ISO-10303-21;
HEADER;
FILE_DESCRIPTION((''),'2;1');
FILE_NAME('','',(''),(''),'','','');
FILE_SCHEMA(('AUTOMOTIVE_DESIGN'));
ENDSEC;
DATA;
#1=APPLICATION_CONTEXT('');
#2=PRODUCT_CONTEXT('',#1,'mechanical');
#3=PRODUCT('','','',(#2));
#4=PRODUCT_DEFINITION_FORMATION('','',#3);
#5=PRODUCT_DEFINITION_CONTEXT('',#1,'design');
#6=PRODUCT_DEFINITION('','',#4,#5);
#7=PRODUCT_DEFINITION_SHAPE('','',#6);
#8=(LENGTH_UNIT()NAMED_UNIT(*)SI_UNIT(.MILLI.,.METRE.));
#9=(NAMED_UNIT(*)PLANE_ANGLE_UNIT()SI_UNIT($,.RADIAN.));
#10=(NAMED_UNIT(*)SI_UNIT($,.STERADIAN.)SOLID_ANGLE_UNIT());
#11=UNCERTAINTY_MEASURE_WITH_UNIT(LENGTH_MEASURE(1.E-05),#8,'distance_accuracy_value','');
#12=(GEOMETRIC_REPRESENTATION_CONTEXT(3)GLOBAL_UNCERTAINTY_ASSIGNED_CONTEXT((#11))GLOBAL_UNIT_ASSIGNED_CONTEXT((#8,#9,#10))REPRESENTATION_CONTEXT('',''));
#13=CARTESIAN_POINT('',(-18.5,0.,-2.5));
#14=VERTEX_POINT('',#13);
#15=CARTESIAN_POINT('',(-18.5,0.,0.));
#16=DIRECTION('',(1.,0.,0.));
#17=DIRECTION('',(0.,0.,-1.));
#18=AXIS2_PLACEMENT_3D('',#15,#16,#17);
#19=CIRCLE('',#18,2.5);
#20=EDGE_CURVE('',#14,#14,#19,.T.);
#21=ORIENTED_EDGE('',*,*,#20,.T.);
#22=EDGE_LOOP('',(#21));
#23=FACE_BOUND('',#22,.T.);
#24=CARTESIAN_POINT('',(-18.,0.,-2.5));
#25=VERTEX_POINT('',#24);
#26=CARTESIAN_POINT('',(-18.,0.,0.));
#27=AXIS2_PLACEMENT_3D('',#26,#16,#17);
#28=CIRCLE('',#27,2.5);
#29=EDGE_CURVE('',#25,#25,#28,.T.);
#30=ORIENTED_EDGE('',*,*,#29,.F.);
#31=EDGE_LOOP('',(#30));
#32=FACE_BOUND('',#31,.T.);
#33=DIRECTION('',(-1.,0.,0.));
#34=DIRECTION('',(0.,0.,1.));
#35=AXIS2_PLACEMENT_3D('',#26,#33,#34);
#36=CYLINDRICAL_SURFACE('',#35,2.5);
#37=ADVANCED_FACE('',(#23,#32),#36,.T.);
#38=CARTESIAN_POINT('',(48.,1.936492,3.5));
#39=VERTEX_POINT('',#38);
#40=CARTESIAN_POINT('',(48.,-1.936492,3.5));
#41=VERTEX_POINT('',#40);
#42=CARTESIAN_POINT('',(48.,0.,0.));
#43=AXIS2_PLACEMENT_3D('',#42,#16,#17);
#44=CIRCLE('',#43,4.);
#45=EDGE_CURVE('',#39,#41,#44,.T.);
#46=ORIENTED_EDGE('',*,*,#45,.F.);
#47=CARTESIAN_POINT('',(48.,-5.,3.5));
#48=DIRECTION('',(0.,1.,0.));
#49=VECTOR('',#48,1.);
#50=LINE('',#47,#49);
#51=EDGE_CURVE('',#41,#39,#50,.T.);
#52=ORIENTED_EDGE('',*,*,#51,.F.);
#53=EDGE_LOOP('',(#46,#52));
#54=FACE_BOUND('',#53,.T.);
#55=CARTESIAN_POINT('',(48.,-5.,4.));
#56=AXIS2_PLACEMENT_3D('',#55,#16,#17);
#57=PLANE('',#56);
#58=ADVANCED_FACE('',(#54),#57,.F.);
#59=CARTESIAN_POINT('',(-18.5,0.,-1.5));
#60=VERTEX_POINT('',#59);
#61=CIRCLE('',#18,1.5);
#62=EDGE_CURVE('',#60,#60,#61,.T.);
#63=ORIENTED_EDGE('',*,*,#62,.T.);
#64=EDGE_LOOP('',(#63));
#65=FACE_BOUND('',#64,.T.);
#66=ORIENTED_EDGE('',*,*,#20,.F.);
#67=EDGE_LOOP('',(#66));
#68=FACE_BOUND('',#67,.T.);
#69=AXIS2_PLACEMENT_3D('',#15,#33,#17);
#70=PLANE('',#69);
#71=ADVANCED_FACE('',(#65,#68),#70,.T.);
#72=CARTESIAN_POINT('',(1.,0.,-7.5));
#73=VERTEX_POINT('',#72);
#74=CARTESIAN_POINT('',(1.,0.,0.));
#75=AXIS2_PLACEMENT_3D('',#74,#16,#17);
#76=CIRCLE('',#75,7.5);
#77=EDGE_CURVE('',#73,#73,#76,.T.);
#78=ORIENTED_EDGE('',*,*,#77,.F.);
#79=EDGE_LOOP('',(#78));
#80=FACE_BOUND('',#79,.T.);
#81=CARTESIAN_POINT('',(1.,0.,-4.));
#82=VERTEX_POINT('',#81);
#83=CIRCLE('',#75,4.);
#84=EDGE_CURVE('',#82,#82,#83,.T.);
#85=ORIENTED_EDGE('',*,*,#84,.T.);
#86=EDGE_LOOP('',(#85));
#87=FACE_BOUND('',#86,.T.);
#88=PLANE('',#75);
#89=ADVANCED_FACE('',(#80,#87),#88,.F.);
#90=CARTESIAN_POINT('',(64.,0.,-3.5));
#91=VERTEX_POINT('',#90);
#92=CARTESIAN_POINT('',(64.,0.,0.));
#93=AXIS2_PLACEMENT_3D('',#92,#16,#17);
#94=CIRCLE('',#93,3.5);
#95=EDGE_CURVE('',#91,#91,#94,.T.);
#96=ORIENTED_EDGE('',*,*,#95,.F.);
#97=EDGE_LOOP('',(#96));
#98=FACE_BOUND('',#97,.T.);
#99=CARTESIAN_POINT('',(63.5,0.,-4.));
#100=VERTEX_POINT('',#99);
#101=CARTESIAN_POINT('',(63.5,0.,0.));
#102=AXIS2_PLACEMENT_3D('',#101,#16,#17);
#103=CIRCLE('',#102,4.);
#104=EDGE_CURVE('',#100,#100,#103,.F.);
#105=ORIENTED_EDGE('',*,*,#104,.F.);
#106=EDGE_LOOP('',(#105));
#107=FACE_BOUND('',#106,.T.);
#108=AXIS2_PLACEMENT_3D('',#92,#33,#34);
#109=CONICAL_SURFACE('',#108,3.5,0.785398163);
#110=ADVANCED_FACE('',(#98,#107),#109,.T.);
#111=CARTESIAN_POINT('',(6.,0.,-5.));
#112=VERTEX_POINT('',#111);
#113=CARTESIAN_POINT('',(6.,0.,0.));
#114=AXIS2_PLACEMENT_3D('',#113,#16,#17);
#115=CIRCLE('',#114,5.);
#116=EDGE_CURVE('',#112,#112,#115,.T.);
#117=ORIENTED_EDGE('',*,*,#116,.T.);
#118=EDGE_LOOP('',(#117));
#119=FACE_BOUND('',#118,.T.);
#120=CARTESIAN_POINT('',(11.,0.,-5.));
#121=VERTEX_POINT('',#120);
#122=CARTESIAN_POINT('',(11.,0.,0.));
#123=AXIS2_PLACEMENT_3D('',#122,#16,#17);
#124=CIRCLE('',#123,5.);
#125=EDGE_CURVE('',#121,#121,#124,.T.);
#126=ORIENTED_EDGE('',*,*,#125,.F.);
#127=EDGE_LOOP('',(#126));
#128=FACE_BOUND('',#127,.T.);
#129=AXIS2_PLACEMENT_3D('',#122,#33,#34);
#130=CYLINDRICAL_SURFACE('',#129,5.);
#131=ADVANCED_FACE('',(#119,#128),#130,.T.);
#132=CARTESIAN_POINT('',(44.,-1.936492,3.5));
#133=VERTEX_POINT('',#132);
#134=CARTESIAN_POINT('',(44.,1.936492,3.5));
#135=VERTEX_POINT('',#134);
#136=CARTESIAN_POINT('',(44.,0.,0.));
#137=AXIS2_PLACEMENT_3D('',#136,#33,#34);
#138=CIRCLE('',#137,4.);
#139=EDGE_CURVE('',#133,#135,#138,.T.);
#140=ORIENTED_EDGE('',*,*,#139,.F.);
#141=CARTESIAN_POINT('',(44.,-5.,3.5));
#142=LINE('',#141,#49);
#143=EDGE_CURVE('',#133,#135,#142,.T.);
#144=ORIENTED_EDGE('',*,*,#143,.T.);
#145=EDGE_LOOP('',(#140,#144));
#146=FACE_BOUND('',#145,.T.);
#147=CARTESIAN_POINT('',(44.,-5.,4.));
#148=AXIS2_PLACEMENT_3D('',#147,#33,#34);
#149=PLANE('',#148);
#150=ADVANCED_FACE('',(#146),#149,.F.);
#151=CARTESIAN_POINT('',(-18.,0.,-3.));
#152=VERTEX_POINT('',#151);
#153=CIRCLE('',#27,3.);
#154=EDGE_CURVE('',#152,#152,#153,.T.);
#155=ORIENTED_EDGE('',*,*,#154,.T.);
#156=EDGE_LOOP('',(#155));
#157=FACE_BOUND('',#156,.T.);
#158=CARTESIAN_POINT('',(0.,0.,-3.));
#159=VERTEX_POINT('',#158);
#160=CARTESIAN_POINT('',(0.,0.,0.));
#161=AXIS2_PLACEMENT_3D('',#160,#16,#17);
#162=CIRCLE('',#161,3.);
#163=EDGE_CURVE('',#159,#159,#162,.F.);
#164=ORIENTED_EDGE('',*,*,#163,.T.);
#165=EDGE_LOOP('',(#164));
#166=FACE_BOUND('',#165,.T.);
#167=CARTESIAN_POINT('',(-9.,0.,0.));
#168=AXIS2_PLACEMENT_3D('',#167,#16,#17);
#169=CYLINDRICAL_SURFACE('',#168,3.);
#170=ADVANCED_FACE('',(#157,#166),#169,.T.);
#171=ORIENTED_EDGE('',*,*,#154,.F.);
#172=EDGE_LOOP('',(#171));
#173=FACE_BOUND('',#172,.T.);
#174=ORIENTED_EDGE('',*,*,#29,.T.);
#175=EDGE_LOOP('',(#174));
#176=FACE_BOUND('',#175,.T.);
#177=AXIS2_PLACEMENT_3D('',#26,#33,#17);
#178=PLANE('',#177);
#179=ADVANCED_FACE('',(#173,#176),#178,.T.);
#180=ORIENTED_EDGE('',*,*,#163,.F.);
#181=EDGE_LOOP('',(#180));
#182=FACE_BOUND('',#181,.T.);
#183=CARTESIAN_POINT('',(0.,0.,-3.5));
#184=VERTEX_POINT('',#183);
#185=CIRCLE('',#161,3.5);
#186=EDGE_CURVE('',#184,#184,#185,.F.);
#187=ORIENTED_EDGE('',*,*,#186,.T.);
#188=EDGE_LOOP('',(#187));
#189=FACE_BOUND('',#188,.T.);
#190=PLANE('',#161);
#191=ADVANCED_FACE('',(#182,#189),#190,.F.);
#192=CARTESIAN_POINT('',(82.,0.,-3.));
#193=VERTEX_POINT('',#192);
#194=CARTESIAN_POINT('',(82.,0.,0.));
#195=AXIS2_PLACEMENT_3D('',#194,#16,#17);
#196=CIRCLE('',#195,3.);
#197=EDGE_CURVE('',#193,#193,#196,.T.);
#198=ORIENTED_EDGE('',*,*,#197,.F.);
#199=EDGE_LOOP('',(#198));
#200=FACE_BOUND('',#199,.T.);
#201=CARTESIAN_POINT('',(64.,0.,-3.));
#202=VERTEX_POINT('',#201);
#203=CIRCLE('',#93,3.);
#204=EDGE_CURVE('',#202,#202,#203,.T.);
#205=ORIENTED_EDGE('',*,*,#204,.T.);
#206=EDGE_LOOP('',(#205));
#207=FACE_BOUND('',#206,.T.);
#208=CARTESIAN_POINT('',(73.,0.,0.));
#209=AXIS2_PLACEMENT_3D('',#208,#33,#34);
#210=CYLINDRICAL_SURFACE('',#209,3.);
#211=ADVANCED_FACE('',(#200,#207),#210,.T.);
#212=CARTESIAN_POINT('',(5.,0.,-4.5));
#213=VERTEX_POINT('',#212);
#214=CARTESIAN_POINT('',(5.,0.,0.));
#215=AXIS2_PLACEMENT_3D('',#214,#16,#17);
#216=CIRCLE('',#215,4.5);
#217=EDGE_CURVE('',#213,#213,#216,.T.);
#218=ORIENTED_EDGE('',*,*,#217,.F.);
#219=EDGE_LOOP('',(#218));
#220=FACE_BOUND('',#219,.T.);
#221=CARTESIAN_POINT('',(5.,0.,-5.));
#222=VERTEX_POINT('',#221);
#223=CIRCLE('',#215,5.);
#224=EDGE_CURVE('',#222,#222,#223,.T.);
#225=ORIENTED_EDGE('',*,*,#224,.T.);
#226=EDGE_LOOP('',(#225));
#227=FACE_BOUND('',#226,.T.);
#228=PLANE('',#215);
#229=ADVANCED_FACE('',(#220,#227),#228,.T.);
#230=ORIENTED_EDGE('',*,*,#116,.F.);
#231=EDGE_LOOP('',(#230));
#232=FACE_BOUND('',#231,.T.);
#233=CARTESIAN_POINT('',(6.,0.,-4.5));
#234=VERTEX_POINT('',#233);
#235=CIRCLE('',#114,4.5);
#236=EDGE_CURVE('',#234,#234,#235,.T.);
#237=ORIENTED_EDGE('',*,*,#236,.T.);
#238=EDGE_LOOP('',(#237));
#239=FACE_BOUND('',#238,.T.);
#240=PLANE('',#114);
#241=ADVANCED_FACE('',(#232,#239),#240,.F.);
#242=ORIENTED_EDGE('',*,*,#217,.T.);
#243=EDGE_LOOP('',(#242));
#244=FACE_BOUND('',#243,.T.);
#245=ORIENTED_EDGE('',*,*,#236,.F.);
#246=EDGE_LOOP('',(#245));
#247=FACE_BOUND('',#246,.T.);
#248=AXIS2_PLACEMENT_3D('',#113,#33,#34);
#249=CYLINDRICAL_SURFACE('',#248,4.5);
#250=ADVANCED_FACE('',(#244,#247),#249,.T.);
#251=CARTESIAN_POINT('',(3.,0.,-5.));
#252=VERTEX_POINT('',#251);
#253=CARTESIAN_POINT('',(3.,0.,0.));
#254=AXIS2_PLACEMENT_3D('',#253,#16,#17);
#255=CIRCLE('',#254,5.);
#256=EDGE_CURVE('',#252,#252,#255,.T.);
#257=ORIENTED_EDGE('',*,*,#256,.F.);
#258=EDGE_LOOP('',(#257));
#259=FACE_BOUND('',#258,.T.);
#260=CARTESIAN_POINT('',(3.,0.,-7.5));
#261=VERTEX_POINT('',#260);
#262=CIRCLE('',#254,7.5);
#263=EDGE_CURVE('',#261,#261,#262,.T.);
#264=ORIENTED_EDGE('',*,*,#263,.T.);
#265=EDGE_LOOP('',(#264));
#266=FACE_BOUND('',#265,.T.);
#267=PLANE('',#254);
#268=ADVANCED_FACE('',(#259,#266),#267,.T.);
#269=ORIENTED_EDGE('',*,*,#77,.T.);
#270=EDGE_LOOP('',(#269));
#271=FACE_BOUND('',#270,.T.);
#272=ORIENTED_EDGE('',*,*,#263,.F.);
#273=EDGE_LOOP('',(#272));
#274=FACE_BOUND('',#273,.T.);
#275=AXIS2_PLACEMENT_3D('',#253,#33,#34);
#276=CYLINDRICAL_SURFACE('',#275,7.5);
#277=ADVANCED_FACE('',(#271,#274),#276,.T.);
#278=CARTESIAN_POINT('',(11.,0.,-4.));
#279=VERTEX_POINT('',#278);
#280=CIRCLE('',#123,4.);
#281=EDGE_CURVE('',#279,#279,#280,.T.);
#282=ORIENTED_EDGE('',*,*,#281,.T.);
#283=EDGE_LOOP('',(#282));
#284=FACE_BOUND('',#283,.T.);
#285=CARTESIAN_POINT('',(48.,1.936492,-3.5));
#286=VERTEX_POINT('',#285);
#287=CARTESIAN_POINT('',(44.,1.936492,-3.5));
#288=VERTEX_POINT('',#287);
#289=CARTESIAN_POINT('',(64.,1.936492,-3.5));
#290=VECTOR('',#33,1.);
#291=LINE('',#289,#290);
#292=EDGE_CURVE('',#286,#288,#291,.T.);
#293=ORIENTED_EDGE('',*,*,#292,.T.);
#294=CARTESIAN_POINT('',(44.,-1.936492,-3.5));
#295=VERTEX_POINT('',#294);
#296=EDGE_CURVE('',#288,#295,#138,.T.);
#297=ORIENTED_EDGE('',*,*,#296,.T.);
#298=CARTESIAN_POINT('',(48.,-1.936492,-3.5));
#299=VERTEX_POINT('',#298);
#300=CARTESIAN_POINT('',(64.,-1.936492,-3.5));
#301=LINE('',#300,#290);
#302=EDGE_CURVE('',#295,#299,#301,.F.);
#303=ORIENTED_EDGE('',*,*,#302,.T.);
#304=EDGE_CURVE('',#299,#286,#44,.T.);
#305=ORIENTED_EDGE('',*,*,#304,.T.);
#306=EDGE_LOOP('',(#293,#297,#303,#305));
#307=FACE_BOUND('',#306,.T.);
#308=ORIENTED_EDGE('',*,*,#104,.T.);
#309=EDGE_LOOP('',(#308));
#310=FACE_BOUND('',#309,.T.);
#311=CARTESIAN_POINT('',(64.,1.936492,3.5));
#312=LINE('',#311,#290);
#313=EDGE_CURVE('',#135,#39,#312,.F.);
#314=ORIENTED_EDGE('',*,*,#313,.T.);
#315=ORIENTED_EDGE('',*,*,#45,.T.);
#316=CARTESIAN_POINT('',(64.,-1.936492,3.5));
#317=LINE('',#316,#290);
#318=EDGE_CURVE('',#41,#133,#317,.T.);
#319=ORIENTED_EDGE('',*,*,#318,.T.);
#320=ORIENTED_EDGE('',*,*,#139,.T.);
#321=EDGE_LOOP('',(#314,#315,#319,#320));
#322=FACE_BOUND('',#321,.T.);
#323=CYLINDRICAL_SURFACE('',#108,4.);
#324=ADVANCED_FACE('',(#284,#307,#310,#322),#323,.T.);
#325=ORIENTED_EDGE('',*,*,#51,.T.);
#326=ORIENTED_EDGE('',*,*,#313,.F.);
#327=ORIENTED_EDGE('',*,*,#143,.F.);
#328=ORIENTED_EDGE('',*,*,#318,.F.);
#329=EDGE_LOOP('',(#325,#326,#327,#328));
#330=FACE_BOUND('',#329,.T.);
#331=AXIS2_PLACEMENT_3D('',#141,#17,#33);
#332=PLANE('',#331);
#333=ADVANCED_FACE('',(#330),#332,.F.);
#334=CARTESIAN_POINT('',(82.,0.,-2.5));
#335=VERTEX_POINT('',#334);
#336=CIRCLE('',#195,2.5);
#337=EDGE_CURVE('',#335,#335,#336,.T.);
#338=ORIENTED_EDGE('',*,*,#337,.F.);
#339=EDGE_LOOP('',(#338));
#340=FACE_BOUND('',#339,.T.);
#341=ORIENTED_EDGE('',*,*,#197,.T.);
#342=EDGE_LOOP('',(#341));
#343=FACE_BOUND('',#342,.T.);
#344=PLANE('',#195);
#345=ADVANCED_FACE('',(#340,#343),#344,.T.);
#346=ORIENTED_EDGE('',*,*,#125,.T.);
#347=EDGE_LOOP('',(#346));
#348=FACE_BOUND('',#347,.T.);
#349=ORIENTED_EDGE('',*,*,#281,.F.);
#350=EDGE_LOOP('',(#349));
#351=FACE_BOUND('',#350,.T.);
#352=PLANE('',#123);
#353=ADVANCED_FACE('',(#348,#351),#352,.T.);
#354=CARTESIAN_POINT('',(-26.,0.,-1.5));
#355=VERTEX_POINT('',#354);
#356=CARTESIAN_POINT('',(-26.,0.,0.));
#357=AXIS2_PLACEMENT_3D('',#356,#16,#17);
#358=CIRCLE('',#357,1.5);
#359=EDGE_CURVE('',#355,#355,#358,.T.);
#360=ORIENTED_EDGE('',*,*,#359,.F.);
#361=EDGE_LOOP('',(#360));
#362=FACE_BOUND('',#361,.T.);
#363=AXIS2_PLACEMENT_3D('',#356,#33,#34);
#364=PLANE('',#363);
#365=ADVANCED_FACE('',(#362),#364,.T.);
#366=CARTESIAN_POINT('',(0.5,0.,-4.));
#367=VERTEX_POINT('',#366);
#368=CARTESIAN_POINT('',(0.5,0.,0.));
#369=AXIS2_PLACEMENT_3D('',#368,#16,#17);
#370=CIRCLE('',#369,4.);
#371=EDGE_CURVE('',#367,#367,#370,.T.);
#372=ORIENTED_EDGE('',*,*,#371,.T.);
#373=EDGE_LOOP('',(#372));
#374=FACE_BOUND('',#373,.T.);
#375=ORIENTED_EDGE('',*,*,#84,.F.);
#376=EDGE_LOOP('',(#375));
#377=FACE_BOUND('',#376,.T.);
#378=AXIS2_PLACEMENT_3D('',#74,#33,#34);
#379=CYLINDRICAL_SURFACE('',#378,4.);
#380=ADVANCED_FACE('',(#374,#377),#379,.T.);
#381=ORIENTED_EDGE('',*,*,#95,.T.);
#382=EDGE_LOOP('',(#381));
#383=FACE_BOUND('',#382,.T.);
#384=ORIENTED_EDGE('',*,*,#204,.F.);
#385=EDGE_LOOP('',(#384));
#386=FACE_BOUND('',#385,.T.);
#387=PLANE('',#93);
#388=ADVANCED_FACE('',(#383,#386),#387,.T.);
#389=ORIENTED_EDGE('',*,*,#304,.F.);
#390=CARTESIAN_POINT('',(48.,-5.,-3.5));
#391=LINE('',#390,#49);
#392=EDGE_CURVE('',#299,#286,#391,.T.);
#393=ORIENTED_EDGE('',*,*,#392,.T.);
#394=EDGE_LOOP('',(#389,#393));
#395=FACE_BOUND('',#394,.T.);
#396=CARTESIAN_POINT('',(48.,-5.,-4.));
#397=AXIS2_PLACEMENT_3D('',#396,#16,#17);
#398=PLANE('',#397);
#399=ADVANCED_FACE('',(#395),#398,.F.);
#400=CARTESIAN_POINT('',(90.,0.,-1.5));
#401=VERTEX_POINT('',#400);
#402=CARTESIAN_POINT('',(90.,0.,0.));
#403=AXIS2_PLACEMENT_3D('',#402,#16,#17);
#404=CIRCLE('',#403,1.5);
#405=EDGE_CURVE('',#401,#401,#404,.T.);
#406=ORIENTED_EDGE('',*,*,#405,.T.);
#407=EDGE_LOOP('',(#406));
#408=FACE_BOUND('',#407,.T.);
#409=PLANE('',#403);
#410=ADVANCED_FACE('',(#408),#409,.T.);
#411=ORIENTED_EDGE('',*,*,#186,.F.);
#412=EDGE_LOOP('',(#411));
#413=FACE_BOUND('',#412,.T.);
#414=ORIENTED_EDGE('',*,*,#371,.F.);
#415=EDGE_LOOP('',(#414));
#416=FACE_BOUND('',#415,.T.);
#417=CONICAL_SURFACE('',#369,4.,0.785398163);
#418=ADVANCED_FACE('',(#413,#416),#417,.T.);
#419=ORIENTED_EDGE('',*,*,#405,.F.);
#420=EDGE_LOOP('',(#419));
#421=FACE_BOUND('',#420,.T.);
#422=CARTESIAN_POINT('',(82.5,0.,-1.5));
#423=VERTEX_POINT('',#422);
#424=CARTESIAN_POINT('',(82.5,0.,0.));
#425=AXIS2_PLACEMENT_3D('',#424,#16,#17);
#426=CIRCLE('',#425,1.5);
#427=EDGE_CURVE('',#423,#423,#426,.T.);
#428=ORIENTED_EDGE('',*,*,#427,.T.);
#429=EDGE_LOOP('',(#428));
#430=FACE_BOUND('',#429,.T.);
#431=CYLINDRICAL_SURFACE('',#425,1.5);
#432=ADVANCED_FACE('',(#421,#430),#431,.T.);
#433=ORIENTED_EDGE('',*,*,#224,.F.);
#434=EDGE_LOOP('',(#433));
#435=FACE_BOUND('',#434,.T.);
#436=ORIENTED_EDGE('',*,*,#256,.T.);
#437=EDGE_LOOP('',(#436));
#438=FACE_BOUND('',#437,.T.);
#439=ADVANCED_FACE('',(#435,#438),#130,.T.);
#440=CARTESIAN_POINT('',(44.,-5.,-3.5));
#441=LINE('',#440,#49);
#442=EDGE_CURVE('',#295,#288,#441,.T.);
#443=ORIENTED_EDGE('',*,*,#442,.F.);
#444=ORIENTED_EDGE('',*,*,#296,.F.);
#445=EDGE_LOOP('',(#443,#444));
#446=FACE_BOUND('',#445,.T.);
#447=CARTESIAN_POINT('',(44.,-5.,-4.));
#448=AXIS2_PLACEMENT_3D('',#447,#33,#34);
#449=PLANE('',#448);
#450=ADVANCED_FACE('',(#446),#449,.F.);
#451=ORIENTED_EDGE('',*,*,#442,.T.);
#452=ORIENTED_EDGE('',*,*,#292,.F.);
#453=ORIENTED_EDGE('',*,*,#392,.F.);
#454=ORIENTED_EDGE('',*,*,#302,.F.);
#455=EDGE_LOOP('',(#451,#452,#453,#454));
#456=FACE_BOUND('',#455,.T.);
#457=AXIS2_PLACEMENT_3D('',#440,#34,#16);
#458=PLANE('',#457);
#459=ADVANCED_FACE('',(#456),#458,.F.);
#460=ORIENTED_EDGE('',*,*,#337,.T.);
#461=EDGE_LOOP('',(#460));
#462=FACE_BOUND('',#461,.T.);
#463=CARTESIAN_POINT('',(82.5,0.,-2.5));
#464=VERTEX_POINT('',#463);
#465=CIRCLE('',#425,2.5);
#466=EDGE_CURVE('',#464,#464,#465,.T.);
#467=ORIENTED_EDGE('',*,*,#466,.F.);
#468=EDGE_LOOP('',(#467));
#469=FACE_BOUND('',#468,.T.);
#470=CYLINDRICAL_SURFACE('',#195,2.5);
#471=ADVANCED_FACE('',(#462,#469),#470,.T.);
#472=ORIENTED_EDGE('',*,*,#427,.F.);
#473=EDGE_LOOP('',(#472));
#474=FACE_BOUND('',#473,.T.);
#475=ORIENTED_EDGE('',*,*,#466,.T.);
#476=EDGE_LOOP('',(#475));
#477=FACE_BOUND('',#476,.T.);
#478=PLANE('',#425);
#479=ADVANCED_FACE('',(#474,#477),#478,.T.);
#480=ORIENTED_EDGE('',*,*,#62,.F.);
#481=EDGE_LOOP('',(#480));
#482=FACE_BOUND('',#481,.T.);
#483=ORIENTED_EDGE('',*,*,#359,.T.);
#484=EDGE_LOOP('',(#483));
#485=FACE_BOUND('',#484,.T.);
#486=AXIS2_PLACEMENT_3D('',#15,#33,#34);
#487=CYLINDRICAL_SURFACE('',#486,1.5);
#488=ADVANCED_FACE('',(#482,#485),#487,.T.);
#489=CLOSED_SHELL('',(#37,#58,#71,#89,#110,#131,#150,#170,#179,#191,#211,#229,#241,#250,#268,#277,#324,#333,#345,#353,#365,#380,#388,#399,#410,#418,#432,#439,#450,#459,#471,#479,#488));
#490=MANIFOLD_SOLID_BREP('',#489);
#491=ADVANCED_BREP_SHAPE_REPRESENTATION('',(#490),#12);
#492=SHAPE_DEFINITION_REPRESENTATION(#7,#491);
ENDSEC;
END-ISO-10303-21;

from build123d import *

# Parameters (mm, degrees)
SKETCH_1_R          = 4
EXTRUDE_1_DEPTH     = 1
SKETCH_2_R          = 3
EXTRUDE_2_DEPTH     = 9
SKETCH_3_R          = 3
EXTRUDE_3_DEPTH     = 17
SKETCH_4_R          = 7.5
EXTRUDE_4_DEPTH     = 2
SKETCH_5_R          = 5
EXTRUDE_5_DEPTH     = 8
SKETCH_6_R          = 4
EXTRUDE_6_DEPTH     = 53
EXTRUDE_START       = 9
SKETCH_7_R          = 3
EXTRUDE_7_DEPTH     = 9
EXTRUDE_START_2     = 17
SKETCH_8_R          = 3
EXTRUDE_8_DEPTH     = 17
CHAMFER_1_SIZE      = 0.5
CHAMFER_2_SIZE      = 0.5
CUT_EXTRUDE_START   = 2
SKETCH_11_R         = 5
SKETCH_11_R_2       = 4.5
CUT_EXTRUDE_2_DEPTH = 1
SKETCH_12_W         = 4
SKETCH_12_H         = 0.5
CUT_EXTRUDE_3_DEPTH = 5
SKETCH_14_R         = 3
SKETCH_14_R_2       = 1.5
CUT_EXTRUDE_5_DEPTH = 7.5
SKETCH_15_R         = 3
SKETCH_15_R_2       = 2.5
CUT_EXTRUDE_6_DEPTH = 0.5


with BuildPart() as part:
    # 草图1 → 凸台-拉伸1 (new body)
    with BuildSketch(Plane(origin=(0, 0, 0), x_dir=(0, 0, -1), z_dir=(1, 0, 0))):
        Circle(SKETCH_1_R)
    extrude(amount=EXTRUDE_1_DEPTH)

    # 草图2 → 凸台-拉伸2 (add)
    with BuildSketch(Plane.ZY):
        with Locations(Location((0, 0, 0), (0, 0, 180))):
            Circle(SKETCH_2_R)
    extrude(amount=EXTRUDE_2_DEPTH)

    # 草图3 → 凸台-拉伸3 (add)
    with BuildSketch(Plane.ZY.offset(9)):
        with Locations(Location((0, 0, 0), (0, 0, 180))):
            Circle(SKETCH_3_R)
    extrude(amount=EXTRUDE_3_DEPTH)

    # 草图4 → 凸台-拉伸4 (add)
    with BuildSketch(Plane(origin=(1, 0, 0), x_dir=(0, 0, -1), z_dir=(1, 0, 0))):
        Circle(SKETCH_4_R)
    extrude(amount=EXTRUDE_4_DEPTH)

    # 草图5 → 凸台-拉伸5 (add)
    with BuildSketch(Plane(origin=(3, 0, 0), x_dir=(0, 0, -1), z_dir=(1, 0, 0))):
        Circle(SKETCH_5_R)
    extrude(amount=EXTRUDE_5_DEPTH)

    # 草图6 → 凸台-拉伸6 (add)
    with BuildSketch(Plane(origin=(11, 0, 0), x_dir=(0, 0, -1), z_dir=(1, 0, 0))):
        Circle(SKETCH_6_R)
    extrude(amount=EXTRUDE_6_DEPTH)

    # 草图7 → 凸台-拉伸7 (add)
    with BuildSketch(Plane(origin=(64, 0, 0), x_dir=(0, 0, -1), z_dir=(1, 0, 0)).offset(EXTRUDE_START)):
        Circle(SKETCH_7_R)
    extrude(amount=-EXTRUDE_7_DEPTH)

    # 草图8 → 凸台-拉伸8 (add)
    with BuildSketch(Plane(origin=(73, 0, 0), x_dir=(0, 0, -1), z_dir=(1, 0, 0)).offset(EXTRUDE_START_2)):
        Circle(SKETCH_8_R)
    extrude(amount=-EXTRUDE_8_DEPTH)

    # 倒角1
    chamfer_1_edges = [part.edges().sort_by_distance(p)[0] for p in [
        (64, 0, 4),
    ]]
    chamfer(chamfer_1_edges, length=CHAMFER_1_SIZE)

    # 倒角2
    chamfer_2_edges = [part.edges().sort_by_distance(p)[0] for p in [
        (0, 0, 4),
    ]]
    chamfer(chamfer_2_edges, length=CHAMFER_2_SIZE)

    # 草图11 → 切除-拉伸2 (cut)
    with BuildSketch(Plane(origin=(3, 0, 0), x_dir=(0, 0, -1), z_dir=(1, 0, 0)).offset(CUT_EXTRUDE_START)):
        Circle(SKETCH_11_R)
        Circle(SKETCH_11_R_2, mode=Mode.SUBTRACT)
    extrude(amount=CUT_EXTRUDE_2_DEPTH, mode=Mode.SUBTRACT)

    # 草图12 → 切除-拉伸3 (cut, symmetric)
    with BuildSketch(Plane(origin=(0, 0, 0), x_dir=(1, 0, 0), z_dir=(0, 1, 0))):
        with Locations((46, 3.75)):
            Rectangle(SKETCH_12_W, SKETCH_12_H)
        with Locations((46, -3.75)):
            Rectangle(SKETCH_12_W, SKETCH_12_H)
    extrude(amount=CUT_EXTRUDE_3_DEPTH, both=True, mode=Mode.SUBTRACT)

    # 草图14 → 切除-拉伸5 (cut)
    with BuildSketch(Plane(origin=(90, 0, 0), x_dir=(0, 0, -1), z_dir=(1, 0, 0))):
        Circle(SKETCH_14_R)
        Circle(SKETCH_14_R_2, mode=Mode.SUBTRACT)
    cut_extrude_5 = extrude(amount=-CUT_EXTRUDE_5_DEPTH, mode=Mode.SUBTRACT)

    # 草图15 → 切除-拉伸6 (cut)
    with BuildSketch(Plane(origin=(82.5, 0, 0), x_dir=(0, 0, -1), z_dir=(1, 0, 0))):
        Circle(SKETCH_15_R)
        Circle(SKETCH_15_R_2, mode=Mode.SUBTRACT)
    cut_extrude_6 = extrude(amount=-CUT_EXTRUDE_6_DEPTH, mode=Mode.SUBTRACT)

    # 镜向2: 切除-拉伸5, 切除-拉伸6 across plane
    add(cut_extrude_5.mirror(Plane(origin=(32, 0, 0), x_dir=(0, 0, 1), z_dir=(1, 0, 0))), mode=Mode.SUBTRACT)
    add(cut_extrude_6.mirror(Plane(origin=(32, 0, 0), x_dir=(0, 0, 1), z_dir=(1, 0, 0))), mode=Mode.SUBTRACT)


solid = part.part
